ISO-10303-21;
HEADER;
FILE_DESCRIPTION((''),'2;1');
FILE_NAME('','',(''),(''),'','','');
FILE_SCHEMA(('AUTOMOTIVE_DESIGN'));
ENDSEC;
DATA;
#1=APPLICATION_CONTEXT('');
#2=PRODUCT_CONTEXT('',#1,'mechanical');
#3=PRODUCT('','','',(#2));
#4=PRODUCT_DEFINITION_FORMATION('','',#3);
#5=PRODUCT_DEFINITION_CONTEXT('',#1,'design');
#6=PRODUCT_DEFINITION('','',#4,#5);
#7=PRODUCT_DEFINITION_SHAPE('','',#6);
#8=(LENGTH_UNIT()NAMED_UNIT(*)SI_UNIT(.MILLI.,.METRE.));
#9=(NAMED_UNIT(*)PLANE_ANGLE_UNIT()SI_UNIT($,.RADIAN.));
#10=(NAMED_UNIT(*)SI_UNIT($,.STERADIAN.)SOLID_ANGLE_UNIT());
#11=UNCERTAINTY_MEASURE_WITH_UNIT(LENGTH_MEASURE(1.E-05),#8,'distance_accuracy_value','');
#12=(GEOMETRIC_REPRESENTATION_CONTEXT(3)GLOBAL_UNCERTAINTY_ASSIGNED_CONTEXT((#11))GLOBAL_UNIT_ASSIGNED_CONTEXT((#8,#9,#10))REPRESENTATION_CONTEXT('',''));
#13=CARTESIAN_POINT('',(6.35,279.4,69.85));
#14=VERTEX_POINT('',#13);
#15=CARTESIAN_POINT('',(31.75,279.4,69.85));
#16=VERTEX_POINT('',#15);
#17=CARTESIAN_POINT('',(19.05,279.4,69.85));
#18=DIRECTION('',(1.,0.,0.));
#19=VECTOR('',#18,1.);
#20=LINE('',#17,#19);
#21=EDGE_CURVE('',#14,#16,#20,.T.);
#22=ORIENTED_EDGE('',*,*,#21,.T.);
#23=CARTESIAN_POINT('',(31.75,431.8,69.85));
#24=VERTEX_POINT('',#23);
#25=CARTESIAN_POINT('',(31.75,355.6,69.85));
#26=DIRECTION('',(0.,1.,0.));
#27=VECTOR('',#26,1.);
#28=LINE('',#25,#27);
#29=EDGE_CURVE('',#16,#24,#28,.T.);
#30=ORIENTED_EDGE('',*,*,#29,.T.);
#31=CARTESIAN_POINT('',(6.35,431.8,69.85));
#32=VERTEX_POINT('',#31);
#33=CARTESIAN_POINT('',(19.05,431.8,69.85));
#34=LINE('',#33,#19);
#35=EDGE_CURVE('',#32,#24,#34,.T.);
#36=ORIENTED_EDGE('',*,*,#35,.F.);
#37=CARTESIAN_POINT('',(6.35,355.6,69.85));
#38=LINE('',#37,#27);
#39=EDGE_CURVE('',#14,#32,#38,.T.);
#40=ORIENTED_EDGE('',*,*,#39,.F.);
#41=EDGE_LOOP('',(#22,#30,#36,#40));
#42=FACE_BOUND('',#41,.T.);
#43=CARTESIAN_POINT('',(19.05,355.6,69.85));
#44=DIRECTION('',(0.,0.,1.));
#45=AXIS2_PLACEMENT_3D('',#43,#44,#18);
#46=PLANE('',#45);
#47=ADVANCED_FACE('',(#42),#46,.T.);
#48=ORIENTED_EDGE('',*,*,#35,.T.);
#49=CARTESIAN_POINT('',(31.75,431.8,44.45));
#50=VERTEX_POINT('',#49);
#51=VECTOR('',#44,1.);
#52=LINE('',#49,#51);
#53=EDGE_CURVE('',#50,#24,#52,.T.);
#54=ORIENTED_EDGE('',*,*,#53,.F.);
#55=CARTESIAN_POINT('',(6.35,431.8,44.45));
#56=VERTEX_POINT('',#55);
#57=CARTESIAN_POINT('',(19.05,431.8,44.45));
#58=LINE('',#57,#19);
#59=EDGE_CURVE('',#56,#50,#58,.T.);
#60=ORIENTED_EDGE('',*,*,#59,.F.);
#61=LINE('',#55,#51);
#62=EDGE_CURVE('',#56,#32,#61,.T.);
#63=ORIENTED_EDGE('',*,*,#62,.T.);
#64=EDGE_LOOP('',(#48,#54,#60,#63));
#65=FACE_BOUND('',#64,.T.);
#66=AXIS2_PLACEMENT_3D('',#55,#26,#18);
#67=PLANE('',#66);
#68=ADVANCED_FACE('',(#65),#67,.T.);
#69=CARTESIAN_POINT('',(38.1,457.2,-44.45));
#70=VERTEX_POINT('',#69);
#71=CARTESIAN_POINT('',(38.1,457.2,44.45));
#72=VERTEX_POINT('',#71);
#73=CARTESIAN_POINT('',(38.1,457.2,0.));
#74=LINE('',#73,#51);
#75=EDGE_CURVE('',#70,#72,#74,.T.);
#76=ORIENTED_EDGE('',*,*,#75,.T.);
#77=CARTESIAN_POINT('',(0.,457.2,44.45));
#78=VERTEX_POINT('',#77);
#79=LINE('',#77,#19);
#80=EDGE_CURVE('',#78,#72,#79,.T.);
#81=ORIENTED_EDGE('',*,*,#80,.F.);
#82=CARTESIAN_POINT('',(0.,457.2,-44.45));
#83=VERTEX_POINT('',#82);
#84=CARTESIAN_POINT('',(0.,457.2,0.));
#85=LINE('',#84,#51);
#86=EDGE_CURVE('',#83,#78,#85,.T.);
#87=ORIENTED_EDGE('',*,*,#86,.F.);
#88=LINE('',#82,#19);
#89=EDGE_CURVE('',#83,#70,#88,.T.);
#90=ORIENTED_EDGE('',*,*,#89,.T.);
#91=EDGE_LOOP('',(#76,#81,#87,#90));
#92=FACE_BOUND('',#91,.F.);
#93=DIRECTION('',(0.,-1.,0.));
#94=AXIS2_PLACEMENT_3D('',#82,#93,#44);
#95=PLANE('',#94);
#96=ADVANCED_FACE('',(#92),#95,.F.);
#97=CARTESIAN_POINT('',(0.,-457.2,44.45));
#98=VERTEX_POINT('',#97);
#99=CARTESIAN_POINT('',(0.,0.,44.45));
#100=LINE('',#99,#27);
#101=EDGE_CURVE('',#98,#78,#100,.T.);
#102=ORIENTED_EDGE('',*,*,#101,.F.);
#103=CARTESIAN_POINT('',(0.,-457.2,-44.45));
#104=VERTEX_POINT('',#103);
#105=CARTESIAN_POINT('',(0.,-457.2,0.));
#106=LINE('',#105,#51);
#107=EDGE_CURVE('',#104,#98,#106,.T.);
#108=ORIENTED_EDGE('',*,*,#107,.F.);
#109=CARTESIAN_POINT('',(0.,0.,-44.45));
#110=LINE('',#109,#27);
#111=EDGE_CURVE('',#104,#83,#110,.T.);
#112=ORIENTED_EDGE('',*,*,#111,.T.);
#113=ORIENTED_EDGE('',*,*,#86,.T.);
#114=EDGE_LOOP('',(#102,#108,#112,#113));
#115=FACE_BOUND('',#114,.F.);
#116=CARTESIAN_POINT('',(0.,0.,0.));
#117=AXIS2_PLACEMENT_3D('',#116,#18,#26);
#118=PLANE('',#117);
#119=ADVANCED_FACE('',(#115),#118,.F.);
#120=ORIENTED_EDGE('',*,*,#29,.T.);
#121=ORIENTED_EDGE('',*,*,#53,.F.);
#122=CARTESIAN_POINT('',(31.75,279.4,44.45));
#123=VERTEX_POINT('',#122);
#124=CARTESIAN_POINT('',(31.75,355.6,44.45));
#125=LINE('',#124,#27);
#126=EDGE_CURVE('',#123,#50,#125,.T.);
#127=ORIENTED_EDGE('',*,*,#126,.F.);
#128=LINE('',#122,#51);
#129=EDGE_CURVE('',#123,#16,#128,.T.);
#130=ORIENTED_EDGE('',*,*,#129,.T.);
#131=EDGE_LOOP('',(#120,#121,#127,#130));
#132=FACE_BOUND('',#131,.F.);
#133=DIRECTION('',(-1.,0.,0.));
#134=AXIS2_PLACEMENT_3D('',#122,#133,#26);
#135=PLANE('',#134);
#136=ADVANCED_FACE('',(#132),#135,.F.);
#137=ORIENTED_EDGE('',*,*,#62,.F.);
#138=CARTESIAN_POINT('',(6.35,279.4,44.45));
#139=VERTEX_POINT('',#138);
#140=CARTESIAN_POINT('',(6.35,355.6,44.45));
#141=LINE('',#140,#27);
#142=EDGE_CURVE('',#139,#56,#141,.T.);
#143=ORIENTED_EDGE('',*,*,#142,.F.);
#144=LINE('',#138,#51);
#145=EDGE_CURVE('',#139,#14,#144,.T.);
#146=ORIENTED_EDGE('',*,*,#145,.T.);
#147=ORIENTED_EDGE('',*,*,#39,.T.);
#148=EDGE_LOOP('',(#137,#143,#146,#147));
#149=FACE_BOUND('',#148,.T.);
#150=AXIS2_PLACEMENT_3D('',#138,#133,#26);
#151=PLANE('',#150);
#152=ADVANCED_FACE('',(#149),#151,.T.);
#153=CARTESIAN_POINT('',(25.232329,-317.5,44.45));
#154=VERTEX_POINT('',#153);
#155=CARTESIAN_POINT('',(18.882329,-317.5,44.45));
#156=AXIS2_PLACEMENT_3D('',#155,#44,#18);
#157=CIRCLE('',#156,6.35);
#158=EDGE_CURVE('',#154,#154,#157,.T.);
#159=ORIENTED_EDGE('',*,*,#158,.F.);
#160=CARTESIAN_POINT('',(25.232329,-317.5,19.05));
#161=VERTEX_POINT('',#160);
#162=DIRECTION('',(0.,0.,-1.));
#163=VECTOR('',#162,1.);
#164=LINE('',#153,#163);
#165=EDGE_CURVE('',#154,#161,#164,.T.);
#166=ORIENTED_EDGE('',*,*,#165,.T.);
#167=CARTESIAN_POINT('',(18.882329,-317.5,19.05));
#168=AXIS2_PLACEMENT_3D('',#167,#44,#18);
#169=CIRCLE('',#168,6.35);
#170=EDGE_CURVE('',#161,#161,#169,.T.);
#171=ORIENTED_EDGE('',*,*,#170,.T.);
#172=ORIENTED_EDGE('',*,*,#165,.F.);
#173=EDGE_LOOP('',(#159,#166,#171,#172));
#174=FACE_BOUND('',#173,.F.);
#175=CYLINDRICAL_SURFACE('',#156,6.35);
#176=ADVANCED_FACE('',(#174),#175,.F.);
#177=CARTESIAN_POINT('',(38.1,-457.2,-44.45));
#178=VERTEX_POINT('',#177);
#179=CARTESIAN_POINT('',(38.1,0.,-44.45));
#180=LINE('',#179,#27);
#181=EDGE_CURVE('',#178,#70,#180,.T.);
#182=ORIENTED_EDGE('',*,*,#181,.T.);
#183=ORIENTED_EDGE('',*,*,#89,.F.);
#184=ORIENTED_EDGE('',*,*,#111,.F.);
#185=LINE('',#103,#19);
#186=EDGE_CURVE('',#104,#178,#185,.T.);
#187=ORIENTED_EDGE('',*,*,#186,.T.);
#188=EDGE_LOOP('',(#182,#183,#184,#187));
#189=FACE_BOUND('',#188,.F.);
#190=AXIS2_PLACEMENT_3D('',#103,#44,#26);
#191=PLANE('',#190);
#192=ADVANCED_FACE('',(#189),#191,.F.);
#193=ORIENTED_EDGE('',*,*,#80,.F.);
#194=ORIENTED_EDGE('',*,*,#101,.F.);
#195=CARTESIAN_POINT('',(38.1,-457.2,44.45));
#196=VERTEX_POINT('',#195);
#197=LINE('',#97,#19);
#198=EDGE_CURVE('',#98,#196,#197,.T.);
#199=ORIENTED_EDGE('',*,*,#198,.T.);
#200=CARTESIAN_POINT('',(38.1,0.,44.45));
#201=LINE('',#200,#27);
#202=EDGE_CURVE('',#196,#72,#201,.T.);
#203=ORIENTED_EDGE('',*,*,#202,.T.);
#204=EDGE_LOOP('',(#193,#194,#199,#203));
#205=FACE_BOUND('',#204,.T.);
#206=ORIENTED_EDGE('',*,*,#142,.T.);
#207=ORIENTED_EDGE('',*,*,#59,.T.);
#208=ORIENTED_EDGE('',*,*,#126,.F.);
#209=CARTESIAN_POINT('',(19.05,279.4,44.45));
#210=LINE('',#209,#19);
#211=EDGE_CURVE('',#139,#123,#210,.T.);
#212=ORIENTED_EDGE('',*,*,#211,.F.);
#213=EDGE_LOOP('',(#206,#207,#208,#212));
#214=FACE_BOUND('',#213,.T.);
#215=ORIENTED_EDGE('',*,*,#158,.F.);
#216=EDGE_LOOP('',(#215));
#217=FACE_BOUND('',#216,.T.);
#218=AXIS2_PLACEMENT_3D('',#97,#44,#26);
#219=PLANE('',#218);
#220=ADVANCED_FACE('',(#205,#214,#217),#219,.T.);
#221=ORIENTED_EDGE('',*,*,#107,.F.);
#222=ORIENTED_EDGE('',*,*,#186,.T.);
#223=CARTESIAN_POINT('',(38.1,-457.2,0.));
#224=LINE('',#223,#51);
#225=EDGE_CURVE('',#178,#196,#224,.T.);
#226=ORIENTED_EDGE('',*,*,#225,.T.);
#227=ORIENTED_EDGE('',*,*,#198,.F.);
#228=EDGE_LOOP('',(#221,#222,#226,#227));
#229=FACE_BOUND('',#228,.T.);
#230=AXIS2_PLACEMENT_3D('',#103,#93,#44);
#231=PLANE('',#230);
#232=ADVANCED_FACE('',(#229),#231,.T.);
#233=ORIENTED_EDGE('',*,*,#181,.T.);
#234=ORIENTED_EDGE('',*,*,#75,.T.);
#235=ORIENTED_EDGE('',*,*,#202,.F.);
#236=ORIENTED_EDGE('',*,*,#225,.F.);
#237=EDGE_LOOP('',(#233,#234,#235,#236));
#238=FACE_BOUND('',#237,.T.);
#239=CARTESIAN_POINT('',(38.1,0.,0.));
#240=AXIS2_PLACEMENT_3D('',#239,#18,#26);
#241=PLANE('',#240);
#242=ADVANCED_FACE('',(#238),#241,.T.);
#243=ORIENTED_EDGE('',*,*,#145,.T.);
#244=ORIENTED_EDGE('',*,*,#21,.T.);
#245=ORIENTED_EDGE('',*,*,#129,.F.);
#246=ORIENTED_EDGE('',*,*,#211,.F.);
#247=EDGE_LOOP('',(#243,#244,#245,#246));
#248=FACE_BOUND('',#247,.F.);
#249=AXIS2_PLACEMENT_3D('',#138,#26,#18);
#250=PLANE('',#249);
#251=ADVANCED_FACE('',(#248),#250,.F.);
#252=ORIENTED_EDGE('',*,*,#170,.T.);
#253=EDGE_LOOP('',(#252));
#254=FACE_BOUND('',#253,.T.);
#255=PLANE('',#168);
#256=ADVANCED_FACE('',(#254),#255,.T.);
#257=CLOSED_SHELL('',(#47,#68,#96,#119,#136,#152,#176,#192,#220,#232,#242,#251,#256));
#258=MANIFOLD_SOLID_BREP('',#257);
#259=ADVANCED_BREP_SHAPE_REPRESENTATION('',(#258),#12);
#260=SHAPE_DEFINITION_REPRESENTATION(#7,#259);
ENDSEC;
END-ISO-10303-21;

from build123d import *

# Parameters (mm, degrees)
F0_W     = 914.4
F0_H     = 88.9
F1_DEPTH = 38.1
F2_R     = 6.35
F3_DEPTH = 25.4
F4_W     = 25.4
F4_H     = 152.4
F5_DEPTH = 25.4


with BuildPart() as f1:
    # F0 (on Right) → F1 (new body)
    with BuildSketch(Plane.YZ):
        Rectangle(F0_W, F0_H)
    extrude(amount=F1_DEPTH)

    # F2 (on face) → F3 (cut)
    with BuildSketch(Plane.XY.offset(44.45)):
        with Locations((18.882329, -317.5)):
            Circle(F2_R)
    extrude(amount=-F3_DEPTH, mode=Mode.SUBTRACT)

    # F4 (on face) → F5 (join)
    with BuildSketch(Plane.XY.offset(44.45)):
        with Locations((19.05, 355.6)):
            Rectangle(F4_W, F4_H)
    extrude(amount=F5_DEPTH)


solid = f1.part
